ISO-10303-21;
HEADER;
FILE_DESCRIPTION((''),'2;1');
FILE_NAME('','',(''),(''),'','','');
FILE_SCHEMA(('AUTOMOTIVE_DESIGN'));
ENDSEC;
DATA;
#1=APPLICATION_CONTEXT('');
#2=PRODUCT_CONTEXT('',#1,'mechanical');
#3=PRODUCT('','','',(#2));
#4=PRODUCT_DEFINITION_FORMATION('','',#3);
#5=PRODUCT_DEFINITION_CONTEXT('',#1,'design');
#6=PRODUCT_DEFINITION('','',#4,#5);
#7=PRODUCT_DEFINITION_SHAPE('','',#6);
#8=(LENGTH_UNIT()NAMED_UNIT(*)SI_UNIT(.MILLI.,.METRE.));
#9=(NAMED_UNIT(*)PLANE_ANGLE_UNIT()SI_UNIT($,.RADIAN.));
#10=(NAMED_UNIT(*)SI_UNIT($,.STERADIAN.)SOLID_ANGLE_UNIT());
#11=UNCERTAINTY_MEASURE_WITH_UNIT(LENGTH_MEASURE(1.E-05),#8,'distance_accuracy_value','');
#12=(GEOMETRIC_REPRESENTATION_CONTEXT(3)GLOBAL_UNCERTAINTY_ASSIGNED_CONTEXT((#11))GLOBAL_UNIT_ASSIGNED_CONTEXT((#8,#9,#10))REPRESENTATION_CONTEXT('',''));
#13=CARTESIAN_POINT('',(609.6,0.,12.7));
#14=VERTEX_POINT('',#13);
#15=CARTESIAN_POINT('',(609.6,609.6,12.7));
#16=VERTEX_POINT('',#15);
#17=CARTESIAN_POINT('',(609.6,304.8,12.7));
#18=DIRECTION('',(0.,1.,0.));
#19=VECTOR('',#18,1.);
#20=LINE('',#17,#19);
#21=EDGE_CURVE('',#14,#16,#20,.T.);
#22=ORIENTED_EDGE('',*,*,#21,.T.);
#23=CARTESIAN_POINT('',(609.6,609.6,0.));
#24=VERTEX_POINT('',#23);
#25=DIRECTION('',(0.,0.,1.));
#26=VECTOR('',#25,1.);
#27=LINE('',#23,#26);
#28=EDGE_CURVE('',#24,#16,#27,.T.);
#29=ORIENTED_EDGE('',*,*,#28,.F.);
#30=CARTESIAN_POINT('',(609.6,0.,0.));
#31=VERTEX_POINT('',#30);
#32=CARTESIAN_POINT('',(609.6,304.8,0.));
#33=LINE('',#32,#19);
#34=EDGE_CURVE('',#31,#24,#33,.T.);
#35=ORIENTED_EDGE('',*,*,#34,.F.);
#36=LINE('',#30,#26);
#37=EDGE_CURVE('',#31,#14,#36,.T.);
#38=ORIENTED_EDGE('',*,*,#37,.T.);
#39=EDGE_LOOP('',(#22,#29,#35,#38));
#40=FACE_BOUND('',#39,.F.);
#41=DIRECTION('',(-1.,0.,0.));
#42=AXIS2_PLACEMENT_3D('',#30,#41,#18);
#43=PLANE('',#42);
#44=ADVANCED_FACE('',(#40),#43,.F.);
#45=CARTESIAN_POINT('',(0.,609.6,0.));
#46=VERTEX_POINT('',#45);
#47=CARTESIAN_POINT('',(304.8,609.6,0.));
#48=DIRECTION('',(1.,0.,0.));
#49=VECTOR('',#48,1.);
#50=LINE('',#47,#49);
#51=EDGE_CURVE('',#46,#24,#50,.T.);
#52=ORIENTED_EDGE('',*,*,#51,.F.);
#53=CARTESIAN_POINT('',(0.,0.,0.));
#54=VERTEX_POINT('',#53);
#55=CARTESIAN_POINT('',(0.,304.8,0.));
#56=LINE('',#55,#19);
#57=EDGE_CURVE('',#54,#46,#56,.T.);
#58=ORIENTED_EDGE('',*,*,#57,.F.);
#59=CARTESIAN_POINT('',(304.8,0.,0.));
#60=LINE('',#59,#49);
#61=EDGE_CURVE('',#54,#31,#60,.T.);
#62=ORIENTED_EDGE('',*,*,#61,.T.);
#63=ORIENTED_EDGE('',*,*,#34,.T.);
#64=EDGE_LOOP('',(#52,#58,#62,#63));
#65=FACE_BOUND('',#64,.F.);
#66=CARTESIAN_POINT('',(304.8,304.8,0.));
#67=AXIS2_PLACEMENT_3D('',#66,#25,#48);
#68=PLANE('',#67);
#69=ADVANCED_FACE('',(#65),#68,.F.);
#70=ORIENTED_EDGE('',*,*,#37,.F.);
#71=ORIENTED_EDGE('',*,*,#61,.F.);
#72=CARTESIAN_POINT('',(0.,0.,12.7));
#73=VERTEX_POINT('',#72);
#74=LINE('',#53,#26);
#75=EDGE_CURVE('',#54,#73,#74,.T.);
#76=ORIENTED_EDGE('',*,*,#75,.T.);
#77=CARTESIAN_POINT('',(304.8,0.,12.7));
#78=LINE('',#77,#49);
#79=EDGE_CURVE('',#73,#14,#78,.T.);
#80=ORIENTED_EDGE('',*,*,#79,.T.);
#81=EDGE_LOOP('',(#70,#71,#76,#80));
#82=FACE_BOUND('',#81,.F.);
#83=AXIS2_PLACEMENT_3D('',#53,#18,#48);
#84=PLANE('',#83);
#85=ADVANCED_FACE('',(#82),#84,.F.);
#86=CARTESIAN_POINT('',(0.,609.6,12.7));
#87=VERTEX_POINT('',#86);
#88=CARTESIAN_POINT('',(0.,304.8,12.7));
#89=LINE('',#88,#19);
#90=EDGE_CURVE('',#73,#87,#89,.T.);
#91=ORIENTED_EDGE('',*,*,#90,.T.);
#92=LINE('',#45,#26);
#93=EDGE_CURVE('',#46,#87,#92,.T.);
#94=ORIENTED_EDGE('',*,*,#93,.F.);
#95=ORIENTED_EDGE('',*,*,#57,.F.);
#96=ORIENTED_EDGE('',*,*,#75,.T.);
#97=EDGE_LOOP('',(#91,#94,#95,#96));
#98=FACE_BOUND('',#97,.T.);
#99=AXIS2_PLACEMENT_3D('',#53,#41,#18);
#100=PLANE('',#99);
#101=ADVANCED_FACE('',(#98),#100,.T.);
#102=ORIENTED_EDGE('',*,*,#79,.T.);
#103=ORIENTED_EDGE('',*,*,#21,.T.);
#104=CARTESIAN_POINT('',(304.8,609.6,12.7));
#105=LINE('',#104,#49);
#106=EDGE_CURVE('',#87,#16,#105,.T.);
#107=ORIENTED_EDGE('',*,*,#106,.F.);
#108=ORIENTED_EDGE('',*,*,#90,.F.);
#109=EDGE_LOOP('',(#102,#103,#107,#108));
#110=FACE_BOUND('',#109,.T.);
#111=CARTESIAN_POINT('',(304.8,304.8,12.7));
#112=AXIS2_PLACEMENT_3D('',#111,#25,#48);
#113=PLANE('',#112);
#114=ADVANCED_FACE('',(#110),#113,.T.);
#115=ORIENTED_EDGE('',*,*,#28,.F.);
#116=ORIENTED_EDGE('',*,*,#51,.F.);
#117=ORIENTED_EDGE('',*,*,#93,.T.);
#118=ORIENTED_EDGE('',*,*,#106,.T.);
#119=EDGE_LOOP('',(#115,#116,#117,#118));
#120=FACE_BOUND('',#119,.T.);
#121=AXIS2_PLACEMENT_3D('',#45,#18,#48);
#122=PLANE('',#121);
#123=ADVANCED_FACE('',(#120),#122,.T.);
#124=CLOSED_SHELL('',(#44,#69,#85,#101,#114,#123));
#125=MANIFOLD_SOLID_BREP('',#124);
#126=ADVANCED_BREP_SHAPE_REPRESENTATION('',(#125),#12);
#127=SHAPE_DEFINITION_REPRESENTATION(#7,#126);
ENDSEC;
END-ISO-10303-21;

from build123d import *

# Parameters (mm, degrees)
SKETCH1_W           = 609.6
SKETCH1_H           = 609.6
BOSS_EXTRUDE1_DEPTH = 12.7


with BuildPart() as part:
    # Sketch1 → Boss-Extrude1 (new body)
    with BuildSketch(Plane.XY):
        with Locations((304.8, 304.8)):
            Rectangle(SKETCH1_W, SKETCH1_H)
    extrude(amount=BOSS_EXTRUDE1_DEPTH)


solid = part.part
